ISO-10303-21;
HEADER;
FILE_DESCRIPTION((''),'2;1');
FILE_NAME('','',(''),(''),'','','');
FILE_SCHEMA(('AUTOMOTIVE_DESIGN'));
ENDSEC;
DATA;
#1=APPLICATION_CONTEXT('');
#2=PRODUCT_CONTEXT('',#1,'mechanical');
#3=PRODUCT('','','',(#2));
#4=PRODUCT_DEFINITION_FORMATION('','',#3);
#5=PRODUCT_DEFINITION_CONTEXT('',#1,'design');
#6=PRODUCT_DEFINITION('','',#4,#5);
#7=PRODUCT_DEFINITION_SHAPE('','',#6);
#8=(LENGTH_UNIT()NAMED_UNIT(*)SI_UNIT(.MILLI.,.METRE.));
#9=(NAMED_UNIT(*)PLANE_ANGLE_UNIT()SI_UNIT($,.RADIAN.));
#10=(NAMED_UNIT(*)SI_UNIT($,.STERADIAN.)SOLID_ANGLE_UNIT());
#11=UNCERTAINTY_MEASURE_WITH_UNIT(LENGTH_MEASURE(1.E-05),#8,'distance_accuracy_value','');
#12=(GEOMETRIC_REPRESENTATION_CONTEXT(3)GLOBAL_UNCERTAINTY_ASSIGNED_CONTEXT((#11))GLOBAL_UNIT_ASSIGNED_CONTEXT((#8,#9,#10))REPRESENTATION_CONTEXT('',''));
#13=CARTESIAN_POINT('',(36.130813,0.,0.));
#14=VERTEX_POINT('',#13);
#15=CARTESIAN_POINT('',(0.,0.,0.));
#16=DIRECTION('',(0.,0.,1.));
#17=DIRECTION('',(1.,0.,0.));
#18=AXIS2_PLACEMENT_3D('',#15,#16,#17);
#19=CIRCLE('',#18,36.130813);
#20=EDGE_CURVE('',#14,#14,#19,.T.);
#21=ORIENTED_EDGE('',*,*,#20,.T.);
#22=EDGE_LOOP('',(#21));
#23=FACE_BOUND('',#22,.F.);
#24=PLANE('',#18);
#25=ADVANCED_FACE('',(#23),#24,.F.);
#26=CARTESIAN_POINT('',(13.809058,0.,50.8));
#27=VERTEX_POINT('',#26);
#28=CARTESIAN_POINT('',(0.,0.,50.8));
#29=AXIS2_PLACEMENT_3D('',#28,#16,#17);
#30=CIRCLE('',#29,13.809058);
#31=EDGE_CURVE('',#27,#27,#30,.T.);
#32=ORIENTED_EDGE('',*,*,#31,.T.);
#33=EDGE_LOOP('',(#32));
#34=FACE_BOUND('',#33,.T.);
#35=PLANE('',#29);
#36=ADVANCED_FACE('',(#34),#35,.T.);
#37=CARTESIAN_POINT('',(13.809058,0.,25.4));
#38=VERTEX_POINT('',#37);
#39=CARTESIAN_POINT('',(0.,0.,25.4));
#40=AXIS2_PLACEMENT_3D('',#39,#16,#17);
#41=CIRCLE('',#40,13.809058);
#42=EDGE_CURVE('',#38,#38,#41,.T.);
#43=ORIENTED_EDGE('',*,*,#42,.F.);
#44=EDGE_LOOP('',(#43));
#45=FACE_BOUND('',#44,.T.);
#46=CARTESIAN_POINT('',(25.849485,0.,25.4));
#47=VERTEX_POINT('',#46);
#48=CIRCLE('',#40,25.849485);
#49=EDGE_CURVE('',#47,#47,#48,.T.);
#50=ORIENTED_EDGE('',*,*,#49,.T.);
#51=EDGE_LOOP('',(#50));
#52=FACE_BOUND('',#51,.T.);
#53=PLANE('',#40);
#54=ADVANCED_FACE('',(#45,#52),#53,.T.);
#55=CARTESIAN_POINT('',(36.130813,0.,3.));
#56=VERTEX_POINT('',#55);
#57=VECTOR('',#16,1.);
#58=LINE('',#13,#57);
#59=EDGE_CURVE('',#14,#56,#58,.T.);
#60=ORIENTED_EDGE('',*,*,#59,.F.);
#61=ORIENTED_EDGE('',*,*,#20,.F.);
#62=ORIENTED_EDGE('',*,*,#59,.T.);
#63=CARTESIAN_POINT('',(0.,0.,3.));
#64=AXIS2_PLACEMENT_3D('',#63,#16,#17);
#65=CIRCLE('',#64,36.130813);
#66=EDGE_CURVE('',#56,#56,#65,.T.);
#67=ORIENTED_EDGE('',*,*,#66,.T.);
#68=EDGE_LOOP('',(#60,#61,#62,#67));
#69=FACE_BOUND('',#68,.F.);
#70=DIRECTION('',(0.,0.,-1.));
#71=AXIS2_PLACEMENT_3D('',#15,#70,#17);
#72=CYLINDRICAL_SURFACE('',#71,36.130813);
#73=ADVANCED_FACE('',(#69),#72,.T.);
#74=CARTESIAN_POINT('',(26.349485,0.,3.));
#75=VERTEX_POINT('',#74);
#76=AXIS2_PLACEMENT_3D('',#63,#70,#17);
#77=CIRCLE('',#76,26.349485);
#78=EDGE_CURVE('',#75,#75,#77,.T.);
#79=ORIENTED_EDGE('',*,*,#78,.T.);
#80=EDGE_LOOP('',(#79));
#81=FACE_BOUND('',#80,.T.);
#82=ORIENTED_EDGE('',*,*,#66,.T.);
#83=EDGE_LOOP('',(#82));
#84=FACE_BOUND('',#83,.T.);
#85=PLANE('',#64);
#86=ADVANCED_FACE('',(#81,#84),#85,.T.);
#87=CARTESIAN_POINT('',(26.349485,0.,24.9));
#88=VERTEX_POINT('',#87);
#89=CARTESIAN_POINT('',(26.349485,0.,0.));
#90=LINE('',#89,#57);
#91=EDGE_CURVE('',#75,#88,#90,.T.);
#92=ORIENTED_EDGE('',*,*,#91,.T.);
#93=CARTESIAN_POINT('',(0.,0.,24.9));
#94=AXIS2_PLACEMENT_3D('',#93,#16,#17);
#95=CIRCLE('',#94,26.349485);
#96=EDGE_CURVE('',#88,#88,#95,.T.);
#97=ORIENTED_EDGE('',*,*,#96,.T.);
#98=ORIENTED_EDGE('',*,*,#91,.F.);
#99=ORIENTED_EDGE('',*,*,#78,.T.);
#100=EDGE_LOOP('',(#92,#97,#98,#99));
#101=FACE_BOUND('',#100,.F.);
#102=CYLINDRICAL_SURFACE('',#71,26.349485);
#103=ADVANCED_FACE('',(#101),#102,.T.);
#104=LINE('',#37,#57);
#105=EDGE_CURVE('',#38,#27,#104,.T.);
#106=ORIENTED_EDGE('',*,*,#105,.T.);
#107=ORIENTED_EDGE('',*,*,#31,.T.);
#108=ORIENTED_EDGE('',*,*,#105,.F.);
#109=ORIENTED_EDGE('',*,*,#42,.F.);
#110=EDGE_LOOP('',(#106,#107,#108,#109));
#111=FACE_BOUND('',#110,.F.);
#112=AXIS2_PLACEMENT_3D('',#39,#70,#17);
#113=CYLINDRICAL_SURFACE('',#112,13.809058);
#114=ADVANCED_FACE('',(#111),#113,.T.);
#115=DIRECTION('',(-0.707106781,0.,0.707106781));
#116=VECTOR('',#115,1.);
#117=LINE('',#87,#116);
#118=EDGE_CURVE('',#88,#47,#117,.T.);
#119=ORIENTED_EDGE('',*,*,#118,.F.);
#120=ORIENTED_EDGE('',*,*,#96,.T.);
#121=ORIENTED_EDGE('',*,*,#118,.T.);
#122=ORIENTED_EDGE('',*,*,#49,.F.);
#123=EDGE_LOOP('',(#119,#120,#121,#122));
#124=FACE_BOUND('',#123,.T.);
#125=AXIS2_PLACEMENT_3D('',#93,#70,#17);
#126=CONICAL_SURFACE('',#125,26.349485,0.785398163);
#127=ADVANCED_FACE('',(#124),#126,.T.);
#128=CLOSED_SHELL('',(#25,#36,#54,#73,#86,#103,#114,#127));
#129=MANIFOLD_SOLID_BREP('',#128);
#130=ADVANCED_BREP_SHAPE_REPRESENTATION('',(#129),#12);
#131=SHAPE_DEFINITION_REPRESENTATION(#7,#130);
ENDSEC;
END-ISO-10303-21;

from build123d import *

# Parameters (mm, degrees)
F0_R     = 36.130813
F1_DEPTH = 3
F2_R     = 26.349485
F3_DEPTH = 25.4
F4_R     = 13.809058
F5_DEPTH = 25.4
F6_SIZE  = 0.5


with BuildPart() as f1:
    # F0 (on Top) → F1 (new body)
    with BuildSketch(Plane.XY):
        Circle(F0_R)
    extrude(amount=F1_DEPTH)

    # F2 (on Top) → F3 (join)
    with BuildSketch(Plane.XY):
        Circle(F2_R)
    extrude(amount=F3_DEPTH)

    # F4 (on face) → F5 (join)
    with BuildSketch(Plane.XY.offset(25.4)):
        Circle(F4_R)
    extrude(amount=F5_DEPTH)

    # F6
    f6_edges = [f1.edges().sort_by_distance(p)[0] for p in [
        (-26.349485, 0, 25.4),
    ]]
    chamfer(f6_edges, length=F6_SIZE)


solid = f1.part
